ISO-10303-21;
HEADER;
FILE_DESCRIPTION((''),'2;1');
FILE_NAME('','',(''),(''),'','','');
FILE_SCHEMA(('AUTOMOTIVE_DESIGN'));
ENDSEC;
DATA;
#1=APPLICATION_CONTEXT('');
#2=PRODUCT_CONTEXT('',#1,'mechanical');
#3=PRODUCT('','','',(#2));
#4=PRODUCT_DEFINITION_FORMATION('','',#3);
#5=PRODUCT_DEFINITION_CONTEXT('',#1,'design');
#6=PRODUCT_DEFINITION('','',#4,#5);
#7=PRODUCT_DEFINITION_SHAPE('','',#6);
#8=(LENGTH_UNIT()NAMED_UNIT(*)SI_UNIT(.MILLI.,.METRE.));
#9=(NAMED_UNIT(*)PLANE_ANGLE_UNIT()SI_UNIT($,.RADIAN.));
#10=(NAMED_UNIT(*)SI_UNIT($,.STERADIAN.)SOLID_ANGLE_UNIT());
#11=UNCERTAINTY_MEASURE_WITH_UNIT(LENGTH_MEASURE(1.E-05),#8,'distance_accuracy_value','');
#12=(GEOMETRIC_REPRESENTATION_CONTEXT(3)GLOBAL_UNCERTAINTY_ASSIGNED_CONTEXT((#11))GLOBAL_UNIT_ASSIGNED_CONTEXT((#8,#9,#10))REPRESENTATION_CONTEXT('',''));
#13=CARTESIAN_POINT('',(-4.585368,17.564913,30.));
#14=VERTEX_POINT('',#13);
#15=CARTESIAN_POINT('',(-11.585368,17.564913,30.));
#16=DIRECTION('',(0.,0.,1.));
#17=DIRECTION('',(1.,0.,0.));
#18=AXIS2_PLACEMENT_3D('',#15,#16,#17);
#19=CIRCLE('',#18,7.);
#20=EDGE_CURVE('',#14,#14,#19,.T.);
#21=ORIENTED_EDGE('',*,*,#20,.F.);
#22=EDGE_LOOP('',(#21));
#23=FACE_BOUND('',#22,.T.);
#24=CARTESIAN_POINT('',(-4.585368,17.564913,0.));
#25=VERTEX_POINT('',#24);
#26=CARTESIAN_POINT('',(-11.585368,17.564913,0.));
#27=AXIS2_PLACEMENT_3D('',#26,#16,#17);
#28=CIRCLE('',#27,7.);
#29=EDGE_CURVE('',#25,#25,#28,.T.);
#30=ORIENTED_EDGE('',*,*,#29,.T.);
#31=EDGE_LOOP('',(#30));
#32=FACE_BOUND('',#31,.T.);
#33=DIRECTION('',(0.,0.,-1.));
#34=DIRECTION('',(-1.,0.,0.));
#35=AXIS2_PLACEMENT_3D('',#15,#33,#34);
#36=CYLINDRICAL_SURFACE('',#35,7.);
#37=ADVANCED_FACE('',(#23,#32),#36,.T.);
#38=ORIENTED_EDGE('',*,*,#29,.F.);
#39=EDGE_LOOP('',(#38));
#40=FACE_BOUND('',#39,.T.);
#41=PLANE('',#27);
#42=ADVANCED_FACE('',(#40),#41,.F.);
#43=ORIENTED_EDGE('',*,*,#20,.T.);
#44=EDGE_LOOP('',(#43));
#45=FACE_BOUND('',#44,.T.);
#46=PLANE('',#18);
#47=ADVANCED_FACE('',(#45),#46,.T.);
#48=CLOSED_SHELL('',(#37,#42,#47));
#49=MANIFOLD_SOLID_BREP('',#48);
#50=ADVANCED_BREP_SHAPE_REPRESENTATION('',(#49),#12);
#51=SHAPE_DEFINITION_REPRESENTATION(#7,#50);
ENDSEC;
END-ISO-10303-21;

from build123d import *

# Parameters (mm, degrees)
SKETCH_1_R      = 7
EXTRUDE_1_DEPTH = 30


with BuildPart() as part:
    # 草图1 → 凸台-拉伸1 (new body)
    with BuildSketch(Plane.XY):
        with Locations((-11.585368153, 17.564913006)):
            Circle(SKETCH_1_R)
    extrude(amount=EXTRUDE_1_DEPTH)


solid = part.part
